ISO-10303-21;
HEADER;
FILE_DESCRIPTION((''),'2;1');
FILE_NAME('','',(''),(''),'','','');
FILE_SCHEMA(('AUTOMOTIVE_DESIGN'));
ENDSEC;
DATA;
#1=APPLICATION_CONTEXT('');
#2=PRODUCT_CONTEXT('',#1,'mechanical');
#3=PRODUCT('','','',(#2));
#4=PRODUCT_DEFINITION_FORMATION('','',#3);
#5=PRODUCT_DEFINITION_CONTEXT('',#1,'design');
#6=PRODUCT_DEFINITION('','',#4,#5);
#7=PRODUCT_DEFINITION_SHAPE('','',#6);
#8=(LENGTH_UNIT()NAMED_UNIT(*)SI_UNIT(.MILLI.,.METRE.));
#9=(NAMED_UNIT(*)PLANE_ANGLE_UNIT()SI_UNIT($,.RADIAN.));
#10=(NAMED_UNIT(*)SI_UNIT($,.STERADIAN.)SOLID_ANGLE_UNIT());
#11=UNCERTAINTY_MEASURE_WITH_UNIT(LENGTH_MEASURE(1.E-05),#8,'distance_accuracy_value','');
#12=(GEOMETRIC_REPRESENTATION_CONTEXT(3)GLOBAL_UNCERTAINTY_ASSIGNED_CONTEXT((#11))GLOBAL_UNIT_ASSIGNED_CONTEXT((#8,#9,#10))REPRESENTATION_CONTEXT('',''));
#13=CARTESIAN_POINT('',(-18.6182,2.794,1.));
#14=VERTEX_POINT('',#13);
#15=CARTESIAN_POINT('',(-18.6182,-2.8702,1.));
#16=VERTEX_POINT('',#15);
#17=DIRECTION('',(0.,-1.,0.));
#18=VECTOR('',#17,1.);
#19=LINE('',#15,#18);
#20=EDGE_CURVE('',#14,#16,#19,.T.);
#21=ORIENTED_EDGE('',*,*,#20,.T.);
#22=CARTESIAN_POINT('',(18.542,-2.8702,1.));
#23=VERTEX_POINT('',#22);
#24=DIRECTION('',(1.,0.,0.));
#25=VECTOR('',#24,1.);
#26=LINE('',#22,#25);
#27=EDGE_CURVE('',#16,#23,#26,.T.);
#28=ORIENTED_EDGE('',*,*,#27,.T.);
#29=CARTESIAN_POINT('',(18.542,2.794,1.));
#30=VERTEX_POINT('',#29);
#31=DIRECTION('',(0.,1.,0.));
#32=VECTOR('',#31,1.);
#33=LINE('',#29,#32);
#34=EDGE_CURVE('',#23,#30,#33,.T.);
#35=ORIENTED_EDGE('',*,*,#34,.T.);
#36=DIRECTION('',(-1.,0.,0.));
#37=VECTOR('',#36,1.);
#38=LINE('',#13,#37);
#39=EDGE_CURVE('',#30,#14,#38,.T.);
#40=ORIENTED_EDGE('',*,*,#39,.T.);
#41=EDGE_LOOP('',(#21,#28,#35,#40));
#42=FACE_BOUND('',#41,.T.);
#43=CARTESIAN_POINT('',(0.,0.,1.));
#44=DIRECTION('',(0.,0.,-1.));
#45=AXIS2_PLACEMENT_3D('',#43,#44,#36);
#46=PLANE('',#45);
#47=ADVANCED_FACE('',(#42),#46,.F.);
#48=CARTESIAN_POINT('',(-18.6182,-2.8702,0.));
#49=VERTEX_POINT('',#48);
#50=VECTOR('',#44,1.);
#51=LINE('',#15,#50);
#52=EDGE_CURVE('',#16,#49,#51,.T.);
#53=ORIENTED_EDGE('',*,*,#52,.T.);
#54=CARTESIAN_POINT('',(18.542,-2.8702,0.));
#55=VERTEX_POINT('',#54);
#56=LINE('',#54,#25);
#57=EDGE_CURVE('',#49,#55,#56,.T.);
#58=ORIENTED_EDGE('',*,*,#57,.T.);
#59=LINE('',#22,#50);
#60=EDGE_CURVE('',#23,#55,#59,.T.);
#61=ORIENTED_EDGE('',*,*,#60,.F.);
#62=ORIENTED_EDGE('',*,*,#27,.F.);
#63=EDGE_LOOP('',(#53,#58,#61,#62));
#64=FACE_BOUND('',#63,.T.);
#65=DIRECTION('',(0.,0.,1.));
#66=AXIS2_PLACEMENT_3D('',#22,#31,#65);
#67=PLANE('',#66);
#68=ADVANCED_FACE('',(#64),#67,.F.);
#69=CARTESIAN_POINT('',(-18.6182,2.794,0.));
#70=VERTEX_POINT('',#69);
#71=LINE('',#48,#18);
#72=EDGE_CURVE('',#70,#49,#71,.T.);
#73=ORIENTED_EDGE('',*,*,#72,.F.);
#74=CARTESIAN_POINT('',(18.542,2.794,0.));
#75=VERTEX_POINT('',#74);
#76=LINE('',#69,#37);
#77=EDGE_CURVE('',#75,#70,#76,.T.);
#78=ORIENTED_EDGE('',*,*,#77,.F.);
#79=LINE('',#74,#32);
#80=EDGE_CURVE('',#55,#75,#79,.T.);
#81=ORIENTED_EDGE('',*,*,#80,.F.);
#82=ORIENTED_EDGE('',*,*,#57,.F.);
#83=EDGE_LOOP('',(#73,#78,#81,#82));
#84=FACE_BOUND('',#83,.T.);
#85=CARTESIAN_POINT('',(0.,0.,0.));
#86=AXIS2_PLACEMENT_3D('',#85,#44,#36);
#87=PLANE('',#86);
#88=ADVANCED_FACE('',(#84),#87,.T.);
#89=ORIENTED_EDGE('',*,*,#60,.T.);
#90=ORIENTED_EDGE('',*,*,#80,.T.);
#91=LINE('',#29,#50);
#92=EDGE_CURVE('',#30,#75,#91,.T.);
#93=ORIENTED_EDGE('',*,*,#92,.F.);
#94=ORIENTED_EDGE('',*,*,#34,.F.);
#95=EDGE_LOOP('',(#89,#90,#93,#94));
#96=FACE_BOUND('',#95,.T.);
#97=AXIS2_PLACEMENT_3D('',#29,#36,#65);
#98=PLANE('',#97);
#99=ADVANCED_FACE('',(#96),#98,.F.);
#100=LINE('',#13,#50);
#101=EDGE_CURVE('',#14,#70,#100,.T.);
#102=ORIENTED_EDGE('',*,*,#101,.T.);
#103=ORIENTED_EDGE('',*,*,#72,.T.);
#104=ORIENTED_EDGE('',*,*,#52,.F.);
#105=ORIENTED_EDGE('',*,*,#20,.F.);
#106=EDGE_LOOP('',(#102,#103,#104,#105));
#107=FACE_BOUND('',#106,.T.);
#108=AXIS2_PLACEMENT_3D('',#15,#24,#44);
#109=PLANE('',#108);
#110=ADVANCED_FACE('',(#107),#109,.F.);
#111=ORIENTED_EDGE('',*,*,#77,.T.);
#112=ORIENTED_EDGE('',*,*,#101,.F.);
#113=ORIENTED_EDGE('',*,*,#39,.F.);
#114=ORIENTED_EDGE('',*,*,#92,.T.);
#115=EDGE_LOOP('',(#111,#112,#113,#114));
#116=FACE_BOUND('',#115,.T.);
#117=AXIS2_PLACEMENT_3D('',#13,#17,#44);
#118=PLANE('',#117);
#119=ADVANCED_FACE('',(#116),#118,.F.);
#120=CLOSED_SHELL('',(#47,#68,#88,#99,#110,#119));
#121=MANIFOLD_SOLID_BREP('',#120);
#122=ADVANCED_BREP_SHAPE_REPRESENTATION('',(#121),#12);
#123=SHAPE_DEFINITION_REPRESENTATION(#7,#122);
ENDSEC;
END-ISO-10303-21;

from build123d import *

# Parameters (mm, degrees)
SKIZZE1_W               = 37.1602
SKIZZE1_H               = 5.6642
COMPONENT_OUTLINE_DEPTH = 1


with BuildPart() as part:
    # Skizze1 → Component_Outline (new body)
    with BuildSketch(Plane.XY):
        with Locations((-0.0381, -0.0381)):
            Rectangle(SKIZZE1_W, SKIZZE1_H)
    extrude(amount=COMPONENT_OUTLINE_DEPTH)


solid = part.part
